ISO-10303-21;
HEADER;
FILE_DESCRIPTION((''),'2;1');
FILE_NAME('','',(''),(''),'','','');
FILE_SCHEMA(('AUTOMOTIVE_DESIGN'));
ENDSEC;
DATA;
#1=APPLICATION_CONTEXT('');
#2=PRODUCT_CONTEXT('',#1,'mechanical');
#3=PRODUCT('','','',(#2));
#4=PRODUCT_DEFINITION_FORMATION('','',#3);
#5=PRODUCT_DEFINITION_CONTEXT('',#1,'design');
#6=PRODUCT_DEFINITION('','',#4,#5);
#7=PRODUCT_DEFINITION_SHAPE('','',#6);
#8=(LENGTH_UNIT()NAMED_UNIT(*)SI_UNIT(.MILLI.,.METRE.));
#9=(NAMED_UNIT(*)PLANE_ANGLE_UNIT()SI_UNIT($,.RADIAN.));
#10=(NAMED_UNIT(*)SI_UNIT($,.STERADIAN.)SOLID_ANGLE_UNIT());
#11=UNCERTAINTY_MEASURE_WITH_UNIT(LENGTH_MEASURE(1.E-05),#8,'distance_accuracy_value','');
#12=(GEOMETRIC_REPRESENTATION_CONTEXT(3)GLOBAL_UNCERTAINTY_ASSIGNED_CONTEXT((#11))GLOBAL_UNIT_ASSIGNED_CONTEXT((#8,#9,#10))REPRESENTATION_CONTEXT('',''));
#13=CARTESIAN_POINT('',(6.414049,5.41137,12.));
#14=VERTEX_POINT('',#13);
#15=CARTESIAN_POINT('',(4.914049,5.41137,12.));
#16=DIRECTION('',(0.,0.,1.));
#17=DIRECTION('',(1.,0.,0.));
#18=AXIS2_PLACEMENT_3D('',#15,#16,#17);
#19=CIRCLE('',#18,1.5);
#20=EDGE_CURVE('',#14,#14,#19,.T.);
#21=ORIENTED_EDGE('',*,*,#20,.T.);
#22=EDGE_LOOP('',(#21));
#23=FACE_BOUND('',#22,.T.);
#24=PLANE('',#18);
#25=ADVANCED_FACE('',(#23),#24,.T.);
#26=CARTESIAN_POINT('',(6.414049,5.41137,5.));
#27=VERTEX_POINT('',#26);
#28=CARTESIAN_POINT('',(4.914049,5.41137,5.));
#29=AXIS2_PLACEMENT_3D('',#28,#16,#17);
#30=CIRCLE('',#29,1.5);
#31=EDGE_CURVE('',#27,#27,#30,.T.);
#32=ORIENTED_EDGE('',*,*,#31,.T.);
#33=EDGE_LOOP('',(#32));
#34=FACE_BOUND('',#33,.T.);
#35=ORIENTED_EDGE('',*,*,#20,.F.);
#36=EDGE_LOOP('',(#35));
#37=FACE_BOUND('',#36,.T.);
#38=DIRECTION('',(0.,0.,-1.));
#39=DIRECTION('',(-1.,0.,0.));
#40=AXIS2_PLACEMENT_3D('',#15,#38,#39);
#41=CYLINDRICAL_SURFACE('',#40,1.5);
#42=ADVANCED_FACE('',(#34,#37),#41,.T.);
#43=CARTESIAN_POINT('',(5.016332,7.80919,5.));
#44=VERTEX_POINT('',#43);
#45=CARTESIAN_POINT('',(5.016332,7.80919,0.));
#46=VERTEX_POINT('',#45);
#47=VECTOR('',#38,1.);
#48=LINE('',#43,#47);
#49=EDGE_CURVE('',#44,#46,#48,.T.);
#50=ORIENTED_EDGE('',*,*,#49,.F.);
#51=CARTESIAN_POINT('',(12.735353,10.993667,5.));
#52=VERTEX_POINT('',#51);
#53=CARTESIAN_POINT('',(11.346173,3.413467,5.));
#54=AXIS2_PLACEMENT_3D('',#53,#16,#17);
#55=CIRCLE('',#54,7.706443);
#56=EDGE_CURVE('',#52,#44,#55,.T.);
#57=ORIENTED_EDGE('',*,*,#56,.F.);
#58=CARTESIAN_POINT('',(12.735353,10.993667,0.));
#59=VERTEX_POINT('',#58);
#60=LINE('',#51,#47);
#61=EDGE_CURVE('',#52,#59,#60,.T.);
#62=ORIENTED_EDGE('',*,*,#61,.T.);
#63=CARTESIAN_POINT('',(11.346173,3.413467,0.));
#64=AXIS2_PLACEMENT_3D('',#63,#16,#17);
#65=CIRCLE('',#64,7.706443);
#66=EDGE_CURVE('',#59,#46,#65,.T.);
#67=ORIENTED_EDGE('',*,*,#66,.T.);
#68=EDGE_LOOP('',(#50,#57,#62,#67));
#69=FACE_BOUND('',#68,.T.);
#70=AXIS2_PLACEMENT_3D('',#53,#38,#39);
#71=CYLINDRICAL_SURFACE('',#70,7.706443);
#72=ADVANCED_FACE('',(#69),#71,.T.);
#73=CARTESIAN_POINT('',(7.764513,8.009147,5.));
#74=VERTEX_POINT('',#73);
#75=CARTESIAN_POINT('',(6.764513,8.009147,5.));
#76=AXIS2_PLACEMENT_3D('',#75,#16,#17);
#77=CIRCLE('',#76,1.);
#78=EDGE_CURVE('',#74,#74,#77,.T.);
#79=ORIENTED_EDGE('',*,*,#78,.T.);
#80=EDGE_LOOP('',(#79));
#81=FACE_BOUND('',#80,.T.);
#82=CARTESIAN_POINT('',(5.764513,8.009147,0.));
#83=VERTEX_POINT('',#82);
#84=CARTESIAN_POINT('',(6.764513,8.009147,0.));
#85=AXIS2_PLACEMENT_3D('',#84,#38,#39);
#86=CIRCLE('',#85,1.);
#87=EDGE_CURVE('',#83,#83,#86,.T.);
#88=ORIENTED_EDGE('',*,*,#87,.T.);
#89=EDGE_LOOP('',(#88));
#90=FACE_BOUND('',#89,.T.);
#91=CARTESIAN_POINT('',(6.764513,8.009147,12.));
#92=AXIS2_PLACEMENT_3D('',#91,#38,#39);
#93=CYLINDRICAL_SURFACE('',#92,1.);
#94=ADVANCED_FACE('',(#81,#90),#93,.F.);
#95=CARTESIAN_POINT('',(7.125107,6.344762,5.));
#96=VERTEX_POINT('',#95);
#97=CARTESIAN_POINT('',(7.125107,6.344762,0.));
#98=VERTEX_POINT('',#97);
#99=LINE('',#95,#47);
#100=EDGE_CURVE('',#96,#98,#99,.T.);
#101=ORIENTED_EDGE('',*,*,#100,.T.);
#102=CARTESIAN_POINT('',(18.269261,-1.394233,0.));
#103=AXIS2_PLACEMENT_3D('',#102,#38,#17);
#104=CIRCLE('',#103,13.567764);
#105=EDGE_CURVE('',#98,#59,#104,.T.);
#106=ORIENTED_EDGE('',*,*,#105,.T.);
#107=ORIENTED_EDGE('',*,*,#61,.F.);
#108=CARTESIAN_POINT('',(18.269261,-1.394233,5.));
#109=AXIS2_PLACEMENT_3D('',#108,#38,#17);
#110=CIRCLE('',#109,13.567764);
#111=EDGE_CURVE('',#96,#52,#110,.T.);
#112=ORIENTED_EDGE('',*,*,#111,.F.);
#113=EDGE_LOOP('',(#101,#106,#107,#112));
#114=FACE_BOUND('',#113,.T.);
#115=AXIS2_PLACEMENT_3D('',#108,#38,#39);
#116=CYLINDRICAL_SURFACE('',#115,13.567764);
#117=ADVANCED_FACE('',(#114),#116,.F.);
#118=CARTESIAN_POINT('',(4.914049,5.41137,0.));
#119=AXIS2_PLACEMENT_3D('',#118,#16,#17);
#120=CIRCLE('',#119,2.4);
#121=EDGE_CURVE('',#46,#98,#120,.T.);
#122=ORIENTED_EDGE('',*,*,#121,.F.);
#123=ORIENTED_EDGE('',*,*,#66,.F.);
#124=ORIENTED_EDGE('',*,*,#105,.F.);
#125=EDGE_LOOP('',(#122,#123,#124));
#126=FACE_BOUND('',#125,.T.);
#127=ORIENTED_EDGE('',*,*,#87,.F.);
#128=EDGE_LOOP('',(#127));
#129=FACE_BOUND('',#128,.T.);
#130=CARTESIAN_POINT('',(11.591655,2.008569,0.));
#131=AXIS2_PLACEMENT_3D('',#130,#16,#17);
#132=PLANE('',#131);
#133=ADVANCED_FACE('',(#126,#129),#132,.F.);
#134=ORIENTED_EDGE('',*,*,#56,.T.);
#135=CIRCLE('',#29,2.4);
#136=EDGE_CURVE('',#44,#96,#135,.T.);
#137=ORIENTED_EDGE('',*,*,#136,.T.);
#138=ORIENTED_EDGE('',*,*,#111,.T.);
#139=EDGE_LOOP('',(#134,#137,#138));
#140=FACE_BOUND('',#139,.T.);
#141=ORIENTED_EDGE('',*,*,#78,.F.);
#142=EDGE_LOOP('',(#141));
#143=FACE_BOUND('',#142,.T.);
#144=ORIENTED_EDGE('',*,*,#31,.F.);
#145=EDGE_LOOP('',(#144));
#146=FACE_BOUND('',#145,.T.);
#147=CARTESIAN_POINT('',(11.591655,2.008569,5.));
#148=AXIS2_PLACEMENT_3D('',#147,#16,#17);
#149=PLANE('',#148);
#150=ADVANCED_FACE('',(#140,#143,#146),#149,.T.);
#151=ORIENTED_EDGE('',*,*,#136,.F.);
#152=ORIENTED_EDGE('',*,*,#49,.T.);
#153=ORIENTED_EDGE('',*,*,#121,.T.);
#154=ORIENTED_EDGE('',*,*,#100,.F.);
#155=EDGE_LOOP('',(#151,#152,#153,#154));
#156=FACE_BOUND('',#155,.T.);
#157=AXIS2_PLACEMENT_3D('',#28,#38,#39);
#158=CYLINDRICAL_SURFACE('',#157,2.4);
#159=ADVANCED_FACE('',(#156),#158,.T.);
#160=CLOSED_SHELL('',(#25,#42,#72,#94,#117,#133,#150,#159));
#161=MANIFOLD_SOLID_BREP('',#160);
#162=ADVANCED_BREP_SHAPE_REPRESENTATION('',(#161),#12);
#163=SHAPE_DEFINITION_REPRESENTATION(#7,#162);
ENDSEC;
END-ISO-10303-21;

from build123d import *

# Parameters (mm, degrees)
BOSS_EXTRUDE1_DEPTH = 5
SKETCH2_R           = 1.5
BOSS_EXTRUDE2_DEPTH = 7
SKETCH4_R           = 1
CUT_EXTRUDE1_DEPTH  = 21.732622043


with BuildPart() as part:
    # Sketch1 → Boss-Extrude1 (new body)
    with BuildSketch(Plane.XY):
        with BuildLine():
            ThreePointArc((12.735353306, 10.993667304), (8.407166921, 10.537476108), (5.016332041, 7.809189722))
            ThreePointArc((5.016332041, 7.809189722), (3.545099052, 3.440082341), (7.125107355, 6.34476242))
            ThreePointArc((7.125107355, 6.34476242), (9.612326684, 9.052857395), (12.735353306, 10.993667304))
        make_face()
    extrude(amount=BOSS_EXTRUDE1_DEPTH)

    # Sketch2 → Boss-Extrude2 (add)
    with BuildSketch(Plane.XY.offset(5)):
        with Locations((4.914048995, 5.411370258)):
            Circle(SKETCH2_R)
    extrude(amount=BOSS_EXTRUDE2_DEPTH)

    # Sketch4 → Cut-Extrude1 (cut, through all)
    with BuildSketch(Plane(origin=(0, 0, 0), x_dir=(-1, 0, 0), z_dir=(0, 0, -1))):
        with Locations((-6.764513076, 8.009147455)):
            Circle(SKETCH4_R)
    extrude(amount=-CUT_EXTRUDE1_DEPTH, mode=Mode.SUBTRACT)


solid = part.part
